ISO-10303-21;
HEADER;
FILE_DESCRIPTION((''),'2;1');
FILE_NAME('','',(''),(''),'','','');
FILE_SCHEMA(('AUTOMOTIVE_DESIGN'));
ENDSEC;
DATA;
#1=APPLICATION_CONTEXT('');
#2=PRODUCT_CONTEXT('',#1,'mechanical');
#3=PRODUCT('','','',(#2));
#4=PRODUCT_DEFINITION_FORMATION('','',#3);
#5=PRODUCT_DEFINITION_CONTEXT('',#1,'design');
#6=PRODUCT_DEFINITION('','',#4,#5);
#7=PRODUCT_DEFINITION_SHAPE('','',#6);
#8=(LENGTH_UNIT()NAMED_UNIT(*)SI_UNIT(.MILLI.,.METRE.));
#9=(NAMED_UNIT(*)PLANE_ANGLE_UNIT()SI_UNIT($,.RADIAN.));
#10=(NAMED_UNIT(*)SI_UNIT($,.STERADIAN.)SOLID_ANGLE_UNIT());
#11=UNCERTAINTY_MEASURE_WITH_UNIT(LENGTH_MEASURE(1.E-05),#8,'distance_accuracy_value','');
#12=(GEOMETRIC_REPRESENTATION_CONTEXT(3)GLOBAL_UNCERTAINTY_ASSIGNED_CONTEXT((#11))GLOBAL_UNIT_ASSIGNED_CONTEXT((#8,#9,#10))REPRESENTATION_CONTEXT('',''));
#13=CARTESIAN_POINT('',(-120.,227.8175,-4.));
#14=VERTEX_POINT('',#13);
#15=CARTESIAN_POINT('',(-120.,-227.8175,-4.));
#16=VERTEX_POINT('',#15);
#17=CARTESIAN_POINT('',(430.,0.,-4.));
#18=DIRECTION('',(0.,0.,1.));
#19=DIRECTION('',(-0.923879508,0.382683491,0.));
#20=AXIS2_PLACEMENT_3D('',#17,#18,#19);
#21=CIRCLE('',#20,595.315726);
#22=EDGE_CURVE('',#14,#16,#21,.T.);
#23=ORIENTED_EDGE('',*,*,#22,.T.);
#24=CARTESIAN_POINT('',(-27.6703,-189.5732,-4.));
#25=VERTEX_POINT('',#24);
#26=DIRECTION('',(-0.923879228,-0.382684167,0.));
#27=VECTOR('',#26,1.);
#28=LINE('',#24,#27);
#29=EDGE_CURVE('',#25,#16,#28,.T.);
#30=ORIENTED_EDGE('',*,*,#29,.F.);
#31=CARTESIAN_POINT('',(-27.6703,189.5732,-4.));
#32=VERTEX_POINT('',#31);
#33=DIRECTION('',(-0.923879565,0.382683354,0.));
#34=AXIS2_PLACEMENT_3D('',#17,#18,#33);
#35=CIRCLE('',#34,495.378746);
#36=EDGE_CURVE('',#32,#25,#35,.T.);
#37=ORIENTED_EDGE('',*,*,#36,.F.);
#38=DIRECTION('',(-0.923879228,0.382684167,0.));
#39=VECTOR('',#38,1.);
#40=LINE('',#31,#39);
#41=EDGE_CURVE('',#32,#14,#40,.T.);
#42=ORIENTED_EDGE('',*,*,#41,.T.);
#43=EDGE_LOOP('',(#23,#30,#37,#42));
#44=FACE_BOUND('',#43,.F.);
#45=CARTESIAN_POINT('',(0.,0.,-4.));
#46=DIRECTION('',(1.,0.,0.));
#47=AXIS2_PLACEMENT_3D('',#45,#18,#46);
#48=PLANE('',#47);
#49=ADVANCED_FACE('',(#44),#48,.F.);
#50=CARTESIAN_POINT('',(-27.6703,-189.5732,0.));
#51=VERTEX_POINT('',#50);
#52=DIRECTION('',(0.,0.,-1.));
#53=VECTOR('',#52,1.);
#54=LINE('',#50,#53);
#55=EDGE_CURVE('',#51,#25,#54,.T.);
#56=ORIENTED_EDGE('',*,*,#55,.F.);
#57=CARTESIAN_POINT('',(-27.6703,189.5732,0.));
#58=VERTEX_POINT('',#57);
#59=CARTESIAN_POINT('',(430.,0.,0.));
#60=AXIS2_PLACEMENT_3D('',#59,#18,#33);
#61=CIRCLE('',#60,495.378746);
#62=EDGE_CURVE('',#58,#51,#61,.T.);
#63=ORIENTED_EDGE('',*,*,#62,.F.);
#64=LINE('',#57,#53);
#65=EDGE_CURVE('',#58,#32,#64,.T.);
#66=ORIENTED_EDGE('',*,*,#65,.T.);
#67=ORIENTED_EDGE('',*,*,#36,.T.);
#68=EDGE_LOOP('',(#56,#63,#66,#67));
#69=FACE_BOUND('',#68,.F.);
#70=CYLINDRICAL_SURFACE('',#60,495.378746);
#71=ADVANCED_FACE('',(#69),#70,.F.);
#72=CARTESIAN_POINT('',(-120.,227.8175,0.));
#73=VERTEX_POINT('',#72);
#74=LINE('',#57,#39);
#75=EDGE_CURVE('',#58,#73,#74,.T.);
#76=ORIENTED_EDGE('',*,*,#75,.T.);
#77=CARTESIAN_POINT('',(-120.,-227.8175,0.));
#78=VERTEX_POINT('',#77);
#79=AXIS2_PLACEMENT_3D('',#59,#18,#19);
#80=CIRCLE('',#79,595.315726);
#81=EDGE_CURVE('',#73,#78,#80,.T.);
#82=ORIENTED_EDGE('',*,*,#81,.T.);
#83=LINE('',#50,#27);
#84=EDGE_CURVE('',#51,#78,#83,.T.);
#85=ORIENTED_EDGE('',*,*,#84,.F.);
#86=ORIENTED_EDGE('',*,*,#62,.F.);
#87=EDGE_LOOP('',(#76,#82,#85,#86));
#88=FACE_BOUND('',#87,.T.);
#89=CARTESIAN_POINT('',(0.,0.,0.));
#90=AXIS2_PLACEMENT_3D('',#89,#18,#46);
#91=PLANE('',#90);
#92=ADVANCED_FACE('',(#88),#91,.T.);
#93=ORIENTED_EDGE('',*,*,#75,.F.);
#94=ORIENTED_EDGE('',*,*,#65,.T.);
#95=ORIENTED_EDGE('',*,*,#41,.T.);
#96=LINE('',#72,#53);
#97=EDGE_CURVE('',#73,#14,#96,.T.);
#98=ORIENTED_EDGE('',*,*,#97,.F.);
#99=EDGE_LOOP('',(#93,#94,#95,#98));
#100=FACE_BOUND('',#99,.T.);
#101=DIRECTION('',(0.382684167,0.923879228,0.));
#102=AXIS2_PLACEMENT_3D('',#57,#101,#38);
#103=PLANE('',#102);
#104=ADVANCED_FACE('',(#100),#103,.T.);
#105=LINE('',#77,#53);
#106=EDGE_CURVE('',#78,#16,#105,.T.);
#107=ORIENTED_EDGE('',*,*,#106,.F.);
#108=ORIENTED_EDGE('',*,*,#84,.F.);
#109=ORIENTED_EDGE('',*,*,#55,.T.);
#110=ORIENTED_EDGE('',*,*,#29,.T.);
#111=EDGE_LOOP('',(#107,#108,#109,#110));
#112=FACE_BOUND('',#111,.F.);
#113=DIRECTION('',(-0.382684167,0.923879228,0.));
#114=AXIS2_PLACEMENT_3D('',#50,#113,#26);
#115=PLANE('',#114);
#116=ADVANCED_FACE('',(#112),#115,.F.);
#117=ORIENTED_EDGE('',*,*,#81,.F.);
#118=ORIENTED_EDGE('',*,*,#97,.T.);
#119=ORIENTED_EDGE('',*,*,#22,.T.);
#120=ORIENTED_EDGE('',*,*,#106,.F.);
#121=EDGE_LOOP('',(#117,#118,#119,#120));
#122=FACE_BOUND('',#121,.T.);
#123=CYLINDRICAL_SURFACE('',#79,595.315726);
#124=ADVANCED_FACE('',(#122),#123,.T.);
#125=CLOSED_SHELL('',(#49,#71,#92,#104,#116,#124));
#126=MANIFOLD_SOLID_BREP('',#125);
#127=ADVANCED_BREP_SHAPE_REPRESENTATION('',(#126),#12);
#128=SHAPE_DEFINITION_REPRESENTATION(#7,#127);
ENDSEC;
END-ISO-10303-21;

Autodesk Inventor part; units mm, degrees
ref_plane "YZ Plane" through (0, 0, 0) normal (1, 0, 0) x (0, 1, 0)
ref_plane "XZ Plane" through (0, 0, 0) normal (0, 1, 0) x (-1, 0, 0)
ref_plane "Work Plane1" through (0, 0, 0) normal (0, 0, 1) x (1, 0, 0)
sketch "Sketch1" plane through (0, 0, 0) normal (0, 0, 1) x (1, 0, 0)
  line L0 (-254.3277, 283.4578) -> (-250.5009, 292.6966) construction
  line L1 (-250.5009, 292.6966) -> (303.8268, 63.0866) construction
  line L2 (303.8268, 63.0866) -> (300, 53.8478) construction
  line L3 (300, 53.8478) -> (-254.3277, 283.4578) construction
  line L4 (300, -53.8478) -> (303.8268, -63.0866) construction
  line L5 (303.8268, -63.0866) -> (-250.5009, -292.6966) construction
  line L6 (-250.5009, -292.6966) -> (-254.3277, -283.4578) construction
  line L7 (-254.3277, -283.4578) -> (300, -53.8478) construction
  arc A0 (-26.405, 186.8763) -> (-26.405, -186.8763) centre (430, 0) ccw construction
  spline S0 degree 3 poles (-26.405, -186.8763) (-26.7438, -187.0153) (-27.0825, -187.1543) (-27.76, -187.4323) (-28.0988, -187.5712) (-28.4375, -187.7102) knots -0.219692 -0.219692 -0.219692 -0.219692 -0.109846 -0.109846 0 0 0 0 construction
  arc A1 (-28.4375, 187.7102) -> (-28.4375, -187.7102) centre (430, 0) ccw construction
  spline S1 degree 3 poles (-28.4375, 187.7102) (-28.0988, 187.5712) (-27.76, 187.4323) (-27.0825, 187.1543) (-26.7438, 187.0153) (-26.405, 186.8763) knots -0.219692 -0.219692 -0.219692 -0.219692 -0.109846 -0.109846 0 0 0 0 construction
  line L8 (-27.6703, -189.5732) -> (-120, -227.8175)
  line L9 (-27.6703, 189.5732) -> (-120, 227.8175)
  arc A2 (-27.6703, 189.5732) -> (-27.6703, -189.5732) centre (430, 0) ccw
  arc A3 (-120, 227.8175) -> (-120, -227.8175) centre (430, 0) ccw
  point P0 (0, 0)
  dimension "d3" = 99.937
extrude "Extrusion1" add sketch "Sketch1" against normal blind 4
properties part number "rearformer1" material "Wood (Cherry)"
